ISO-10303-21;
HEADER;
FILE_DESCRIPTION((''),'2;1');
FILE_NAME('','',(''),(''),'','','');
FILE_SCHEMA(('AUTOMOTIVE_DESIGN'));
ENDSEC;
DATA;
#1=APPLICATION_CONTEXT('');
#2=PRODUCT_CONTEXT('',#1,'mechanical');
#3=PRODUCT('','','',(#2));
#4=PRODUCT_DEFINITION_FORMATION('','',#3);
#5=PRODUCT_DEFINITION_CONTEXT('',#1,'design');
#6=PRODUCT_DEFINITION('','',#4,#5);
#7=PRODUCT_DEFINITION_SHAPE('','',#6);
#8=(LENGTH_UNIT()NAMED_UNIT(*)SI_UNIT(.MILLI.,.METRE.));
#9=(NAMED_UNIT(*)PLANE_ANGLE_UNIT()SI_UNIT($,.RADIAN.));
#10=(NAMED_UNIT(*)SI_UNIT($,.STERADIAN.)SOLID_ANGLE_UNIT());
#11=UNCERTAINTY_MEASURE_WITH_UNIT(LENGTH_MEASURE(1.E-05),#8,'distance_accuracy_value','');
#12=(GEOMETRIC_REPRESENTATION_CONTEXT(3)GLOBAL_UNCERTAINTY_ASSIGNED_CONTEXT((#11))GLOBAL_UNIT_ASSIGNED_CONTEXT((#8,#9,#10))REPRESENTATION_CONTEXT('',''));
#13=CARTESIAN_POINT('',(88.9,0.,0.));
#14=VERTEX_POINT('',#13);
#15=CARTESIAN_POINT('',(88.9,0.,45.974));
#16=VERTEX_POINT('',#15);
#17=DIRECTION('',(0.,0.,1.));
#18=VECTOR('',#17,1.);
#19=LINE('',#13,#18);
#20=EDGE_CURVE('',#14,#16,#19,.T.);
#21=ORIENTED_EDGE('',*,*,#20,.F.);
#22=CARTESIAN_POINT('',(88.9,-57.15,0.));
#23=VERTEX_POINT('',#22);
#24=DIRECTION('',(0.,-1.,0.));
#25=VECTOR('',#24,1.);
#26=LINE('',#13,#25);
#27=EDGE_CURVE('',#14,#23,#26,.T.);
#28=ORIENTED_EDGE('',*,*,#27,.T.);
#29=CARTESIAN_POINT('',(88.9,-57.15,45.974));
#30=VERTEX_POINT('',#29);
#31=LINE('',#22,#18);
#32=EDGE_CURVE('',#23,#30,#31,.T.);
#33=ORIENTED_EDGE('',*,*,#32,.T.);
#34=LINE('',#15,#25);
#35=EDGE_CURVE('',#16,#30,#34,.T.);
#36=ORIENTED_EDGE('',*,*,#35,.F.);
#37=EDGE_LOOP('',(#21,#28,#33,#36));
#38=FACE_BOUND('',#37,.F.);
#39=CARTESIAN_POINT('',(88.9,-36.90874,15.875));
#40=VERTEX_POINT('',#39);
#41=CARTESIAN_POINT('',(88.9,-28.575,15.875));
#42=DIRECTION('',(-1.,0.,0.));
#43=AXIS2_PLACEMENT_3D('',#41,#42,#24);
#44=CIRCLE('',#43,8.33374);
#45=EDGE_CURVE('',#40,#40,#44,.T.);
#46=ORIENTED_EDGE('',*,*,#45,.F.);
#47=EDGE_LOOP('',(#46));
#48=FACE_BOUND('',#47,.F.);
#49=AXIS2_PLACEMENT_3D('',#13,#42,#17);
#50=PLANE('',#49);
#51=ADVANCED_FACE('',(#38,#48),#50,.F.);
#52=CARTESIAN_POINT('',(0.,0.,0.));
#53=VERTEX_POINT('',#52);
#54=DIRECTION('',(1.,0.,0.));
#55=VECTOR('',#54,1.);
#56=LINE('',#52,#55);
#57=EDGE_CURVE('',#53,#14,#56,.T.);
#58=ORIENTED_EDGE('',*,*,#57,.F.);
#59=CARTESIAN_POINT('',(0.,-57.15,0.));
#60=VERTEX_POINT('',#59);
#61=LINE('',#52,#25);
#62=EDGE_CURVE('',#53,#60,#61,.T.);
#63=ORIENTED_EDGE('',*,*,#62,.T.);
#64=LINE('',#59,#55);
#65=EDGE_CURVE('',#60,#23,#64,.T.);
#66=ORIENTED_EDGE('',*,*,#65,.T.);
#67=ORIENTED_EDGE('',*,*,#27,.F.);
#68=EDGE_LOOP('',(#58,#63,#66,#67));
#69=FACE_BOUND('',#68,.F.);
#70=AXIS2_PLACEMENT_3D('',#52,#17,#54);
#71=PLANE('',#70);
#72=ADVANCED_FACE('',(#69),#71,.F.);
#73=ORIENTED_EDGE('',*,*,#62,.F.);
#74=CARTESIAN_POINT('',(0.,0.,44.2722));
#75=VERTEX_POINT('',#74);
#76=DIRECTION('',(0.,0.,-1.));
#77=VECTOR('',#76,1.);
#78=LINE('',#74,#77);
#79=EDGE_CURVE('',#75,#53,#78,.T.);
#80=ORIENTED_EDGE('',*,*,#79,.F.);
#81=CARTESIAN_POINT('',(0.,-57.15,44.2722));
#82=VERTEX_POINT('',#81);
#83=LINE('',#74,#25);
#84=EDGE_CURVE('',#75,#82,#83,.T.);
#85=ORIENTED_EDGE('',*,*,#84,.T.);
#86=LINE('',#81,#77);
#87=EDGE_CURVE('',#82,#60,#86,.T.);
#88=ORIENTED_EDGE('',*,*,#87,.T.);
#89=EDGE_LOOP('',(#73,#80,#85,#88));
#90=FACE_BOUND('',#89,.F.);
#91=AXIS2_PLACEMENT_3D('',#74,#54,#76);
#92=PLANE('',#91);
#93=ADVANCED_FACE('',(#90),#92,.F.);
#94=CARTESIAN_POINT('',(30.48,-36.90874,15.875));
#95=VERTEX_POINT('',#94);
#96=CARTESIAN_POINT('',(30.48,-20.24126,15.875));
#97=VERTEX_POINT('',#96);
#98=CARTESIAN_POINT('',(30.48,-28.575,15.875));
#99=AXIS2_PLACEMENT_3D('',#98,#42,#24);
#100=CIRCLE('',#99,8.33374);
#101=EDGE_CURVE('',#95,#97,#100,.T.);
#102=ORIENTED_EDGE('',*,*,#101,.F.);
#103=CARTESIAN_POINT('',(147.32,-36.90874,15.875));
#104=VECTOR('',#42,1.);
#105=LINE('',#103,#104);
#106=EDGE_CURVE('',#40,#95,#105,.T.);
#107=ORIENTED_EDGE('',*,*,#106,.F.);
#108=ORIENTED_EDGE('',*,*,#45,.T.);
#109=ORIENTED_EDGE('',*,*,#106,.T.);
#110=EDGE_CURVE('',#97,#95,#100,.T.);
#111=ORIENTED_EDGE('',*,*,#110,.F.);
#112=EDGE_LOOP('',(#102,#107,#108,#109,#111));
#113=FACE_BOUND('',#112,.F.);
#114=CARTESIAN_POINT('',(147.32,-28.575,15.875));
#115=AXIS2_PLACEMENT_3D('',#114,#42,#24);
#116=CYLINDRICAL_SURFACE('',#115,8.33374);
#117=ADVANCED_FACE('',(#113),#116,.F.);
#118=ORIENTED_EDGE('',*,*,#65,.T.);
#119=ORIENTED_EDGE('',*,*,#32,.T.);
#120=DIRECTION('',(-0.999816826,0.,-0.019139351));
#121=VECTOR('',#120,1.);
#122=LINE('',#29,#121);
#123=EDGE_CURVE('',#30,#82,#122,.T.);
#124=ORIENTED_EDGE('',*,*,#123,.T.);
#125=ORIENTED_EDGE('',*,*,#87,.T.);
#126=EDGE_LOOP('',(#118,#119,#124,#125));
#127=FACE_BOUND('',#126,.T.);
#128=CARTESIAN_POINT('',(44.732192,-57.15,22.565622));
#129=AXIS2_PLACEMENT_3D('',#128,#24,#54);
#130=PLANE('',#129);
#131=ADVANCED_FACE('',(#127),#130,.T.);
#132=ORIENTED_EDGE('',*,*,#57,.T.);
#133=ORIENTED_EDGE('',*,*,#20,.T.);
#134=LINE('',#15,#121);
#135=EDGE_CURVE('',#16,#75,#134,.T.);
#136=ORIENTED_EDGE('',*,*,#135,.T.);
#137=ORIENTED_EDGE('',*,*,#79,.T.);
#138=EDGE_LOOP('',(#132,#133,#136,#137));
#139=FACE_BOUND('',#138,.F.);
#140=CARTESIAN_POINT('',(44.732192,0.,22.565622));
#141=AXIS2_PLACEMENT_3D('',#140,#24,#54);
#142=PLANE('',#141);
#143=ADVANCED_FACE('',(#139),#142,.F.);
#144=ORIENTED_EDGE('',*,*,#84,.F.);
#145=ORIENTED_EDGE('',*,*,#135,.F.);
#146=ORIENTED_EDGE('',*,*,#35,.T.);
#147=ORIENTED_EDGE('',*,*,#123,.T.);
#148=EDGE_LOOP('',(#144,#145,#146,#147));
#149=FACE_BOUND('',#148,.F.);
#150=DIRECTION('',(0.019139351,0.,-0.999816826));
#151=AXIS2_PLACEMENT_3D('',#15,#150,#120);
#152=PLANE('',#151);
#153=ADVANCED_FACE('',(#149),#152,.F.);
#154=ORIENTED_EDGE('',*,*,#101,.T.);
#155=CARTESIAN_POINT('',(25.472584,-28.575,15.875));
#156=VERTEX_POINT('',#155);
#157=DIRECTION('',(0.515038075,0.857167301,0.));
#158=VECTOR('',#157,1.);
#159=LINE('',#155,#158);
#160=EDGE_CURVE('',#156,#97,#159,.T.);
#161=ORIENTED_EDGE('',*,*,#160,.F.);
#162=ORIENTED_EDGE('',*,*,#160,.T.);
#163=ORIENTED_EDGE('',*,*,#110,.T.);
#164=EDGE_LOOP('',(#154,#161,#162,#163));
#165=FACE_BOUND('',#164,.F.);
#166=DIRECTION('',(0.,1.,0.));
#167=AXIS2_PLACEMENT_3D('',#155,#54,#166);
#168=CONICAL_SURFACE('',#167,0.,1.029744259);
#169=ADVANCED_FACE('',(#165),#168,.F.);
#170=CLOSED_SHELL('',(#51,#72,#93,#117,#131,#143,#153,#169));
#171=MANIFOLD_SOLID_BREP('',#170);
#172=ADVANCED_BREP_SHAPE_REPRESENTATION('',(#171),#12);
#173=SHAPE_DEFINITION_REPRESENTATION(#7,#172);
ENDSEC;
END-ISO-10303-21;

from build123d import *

# Parameters (mm, degrees)
F1_DEPTH = 57.15
F3_D     = 16.66748
F3_DEPTH = 58.42
F3_TIP   = 5.0074161752


with BuildPart() as f1:
    # F0 (on Front) → F1 (new body)
    with BuildSketch(Plane.XZ):
        Polygon((0, 44.2722), (0, 0), (88.9, 0), (88.9, 45.974), align=None)
    extrude(amount=F1_DEPTH)

    # F3
    with Locations(Plane.YZ.offset(88.9)):
        with Locations((-28.575, 15.875)):
            Hole(F3_D / 2, depth=F3_DEPTH)
            with Locations((0, 0, -(F3_DEPTH + F3_TIP / 2))):  # 118° drill point
                Cone(0, F3_D / 2, F3_TIP, mode=Mode.SUBTRACT)


solid = f1.part
